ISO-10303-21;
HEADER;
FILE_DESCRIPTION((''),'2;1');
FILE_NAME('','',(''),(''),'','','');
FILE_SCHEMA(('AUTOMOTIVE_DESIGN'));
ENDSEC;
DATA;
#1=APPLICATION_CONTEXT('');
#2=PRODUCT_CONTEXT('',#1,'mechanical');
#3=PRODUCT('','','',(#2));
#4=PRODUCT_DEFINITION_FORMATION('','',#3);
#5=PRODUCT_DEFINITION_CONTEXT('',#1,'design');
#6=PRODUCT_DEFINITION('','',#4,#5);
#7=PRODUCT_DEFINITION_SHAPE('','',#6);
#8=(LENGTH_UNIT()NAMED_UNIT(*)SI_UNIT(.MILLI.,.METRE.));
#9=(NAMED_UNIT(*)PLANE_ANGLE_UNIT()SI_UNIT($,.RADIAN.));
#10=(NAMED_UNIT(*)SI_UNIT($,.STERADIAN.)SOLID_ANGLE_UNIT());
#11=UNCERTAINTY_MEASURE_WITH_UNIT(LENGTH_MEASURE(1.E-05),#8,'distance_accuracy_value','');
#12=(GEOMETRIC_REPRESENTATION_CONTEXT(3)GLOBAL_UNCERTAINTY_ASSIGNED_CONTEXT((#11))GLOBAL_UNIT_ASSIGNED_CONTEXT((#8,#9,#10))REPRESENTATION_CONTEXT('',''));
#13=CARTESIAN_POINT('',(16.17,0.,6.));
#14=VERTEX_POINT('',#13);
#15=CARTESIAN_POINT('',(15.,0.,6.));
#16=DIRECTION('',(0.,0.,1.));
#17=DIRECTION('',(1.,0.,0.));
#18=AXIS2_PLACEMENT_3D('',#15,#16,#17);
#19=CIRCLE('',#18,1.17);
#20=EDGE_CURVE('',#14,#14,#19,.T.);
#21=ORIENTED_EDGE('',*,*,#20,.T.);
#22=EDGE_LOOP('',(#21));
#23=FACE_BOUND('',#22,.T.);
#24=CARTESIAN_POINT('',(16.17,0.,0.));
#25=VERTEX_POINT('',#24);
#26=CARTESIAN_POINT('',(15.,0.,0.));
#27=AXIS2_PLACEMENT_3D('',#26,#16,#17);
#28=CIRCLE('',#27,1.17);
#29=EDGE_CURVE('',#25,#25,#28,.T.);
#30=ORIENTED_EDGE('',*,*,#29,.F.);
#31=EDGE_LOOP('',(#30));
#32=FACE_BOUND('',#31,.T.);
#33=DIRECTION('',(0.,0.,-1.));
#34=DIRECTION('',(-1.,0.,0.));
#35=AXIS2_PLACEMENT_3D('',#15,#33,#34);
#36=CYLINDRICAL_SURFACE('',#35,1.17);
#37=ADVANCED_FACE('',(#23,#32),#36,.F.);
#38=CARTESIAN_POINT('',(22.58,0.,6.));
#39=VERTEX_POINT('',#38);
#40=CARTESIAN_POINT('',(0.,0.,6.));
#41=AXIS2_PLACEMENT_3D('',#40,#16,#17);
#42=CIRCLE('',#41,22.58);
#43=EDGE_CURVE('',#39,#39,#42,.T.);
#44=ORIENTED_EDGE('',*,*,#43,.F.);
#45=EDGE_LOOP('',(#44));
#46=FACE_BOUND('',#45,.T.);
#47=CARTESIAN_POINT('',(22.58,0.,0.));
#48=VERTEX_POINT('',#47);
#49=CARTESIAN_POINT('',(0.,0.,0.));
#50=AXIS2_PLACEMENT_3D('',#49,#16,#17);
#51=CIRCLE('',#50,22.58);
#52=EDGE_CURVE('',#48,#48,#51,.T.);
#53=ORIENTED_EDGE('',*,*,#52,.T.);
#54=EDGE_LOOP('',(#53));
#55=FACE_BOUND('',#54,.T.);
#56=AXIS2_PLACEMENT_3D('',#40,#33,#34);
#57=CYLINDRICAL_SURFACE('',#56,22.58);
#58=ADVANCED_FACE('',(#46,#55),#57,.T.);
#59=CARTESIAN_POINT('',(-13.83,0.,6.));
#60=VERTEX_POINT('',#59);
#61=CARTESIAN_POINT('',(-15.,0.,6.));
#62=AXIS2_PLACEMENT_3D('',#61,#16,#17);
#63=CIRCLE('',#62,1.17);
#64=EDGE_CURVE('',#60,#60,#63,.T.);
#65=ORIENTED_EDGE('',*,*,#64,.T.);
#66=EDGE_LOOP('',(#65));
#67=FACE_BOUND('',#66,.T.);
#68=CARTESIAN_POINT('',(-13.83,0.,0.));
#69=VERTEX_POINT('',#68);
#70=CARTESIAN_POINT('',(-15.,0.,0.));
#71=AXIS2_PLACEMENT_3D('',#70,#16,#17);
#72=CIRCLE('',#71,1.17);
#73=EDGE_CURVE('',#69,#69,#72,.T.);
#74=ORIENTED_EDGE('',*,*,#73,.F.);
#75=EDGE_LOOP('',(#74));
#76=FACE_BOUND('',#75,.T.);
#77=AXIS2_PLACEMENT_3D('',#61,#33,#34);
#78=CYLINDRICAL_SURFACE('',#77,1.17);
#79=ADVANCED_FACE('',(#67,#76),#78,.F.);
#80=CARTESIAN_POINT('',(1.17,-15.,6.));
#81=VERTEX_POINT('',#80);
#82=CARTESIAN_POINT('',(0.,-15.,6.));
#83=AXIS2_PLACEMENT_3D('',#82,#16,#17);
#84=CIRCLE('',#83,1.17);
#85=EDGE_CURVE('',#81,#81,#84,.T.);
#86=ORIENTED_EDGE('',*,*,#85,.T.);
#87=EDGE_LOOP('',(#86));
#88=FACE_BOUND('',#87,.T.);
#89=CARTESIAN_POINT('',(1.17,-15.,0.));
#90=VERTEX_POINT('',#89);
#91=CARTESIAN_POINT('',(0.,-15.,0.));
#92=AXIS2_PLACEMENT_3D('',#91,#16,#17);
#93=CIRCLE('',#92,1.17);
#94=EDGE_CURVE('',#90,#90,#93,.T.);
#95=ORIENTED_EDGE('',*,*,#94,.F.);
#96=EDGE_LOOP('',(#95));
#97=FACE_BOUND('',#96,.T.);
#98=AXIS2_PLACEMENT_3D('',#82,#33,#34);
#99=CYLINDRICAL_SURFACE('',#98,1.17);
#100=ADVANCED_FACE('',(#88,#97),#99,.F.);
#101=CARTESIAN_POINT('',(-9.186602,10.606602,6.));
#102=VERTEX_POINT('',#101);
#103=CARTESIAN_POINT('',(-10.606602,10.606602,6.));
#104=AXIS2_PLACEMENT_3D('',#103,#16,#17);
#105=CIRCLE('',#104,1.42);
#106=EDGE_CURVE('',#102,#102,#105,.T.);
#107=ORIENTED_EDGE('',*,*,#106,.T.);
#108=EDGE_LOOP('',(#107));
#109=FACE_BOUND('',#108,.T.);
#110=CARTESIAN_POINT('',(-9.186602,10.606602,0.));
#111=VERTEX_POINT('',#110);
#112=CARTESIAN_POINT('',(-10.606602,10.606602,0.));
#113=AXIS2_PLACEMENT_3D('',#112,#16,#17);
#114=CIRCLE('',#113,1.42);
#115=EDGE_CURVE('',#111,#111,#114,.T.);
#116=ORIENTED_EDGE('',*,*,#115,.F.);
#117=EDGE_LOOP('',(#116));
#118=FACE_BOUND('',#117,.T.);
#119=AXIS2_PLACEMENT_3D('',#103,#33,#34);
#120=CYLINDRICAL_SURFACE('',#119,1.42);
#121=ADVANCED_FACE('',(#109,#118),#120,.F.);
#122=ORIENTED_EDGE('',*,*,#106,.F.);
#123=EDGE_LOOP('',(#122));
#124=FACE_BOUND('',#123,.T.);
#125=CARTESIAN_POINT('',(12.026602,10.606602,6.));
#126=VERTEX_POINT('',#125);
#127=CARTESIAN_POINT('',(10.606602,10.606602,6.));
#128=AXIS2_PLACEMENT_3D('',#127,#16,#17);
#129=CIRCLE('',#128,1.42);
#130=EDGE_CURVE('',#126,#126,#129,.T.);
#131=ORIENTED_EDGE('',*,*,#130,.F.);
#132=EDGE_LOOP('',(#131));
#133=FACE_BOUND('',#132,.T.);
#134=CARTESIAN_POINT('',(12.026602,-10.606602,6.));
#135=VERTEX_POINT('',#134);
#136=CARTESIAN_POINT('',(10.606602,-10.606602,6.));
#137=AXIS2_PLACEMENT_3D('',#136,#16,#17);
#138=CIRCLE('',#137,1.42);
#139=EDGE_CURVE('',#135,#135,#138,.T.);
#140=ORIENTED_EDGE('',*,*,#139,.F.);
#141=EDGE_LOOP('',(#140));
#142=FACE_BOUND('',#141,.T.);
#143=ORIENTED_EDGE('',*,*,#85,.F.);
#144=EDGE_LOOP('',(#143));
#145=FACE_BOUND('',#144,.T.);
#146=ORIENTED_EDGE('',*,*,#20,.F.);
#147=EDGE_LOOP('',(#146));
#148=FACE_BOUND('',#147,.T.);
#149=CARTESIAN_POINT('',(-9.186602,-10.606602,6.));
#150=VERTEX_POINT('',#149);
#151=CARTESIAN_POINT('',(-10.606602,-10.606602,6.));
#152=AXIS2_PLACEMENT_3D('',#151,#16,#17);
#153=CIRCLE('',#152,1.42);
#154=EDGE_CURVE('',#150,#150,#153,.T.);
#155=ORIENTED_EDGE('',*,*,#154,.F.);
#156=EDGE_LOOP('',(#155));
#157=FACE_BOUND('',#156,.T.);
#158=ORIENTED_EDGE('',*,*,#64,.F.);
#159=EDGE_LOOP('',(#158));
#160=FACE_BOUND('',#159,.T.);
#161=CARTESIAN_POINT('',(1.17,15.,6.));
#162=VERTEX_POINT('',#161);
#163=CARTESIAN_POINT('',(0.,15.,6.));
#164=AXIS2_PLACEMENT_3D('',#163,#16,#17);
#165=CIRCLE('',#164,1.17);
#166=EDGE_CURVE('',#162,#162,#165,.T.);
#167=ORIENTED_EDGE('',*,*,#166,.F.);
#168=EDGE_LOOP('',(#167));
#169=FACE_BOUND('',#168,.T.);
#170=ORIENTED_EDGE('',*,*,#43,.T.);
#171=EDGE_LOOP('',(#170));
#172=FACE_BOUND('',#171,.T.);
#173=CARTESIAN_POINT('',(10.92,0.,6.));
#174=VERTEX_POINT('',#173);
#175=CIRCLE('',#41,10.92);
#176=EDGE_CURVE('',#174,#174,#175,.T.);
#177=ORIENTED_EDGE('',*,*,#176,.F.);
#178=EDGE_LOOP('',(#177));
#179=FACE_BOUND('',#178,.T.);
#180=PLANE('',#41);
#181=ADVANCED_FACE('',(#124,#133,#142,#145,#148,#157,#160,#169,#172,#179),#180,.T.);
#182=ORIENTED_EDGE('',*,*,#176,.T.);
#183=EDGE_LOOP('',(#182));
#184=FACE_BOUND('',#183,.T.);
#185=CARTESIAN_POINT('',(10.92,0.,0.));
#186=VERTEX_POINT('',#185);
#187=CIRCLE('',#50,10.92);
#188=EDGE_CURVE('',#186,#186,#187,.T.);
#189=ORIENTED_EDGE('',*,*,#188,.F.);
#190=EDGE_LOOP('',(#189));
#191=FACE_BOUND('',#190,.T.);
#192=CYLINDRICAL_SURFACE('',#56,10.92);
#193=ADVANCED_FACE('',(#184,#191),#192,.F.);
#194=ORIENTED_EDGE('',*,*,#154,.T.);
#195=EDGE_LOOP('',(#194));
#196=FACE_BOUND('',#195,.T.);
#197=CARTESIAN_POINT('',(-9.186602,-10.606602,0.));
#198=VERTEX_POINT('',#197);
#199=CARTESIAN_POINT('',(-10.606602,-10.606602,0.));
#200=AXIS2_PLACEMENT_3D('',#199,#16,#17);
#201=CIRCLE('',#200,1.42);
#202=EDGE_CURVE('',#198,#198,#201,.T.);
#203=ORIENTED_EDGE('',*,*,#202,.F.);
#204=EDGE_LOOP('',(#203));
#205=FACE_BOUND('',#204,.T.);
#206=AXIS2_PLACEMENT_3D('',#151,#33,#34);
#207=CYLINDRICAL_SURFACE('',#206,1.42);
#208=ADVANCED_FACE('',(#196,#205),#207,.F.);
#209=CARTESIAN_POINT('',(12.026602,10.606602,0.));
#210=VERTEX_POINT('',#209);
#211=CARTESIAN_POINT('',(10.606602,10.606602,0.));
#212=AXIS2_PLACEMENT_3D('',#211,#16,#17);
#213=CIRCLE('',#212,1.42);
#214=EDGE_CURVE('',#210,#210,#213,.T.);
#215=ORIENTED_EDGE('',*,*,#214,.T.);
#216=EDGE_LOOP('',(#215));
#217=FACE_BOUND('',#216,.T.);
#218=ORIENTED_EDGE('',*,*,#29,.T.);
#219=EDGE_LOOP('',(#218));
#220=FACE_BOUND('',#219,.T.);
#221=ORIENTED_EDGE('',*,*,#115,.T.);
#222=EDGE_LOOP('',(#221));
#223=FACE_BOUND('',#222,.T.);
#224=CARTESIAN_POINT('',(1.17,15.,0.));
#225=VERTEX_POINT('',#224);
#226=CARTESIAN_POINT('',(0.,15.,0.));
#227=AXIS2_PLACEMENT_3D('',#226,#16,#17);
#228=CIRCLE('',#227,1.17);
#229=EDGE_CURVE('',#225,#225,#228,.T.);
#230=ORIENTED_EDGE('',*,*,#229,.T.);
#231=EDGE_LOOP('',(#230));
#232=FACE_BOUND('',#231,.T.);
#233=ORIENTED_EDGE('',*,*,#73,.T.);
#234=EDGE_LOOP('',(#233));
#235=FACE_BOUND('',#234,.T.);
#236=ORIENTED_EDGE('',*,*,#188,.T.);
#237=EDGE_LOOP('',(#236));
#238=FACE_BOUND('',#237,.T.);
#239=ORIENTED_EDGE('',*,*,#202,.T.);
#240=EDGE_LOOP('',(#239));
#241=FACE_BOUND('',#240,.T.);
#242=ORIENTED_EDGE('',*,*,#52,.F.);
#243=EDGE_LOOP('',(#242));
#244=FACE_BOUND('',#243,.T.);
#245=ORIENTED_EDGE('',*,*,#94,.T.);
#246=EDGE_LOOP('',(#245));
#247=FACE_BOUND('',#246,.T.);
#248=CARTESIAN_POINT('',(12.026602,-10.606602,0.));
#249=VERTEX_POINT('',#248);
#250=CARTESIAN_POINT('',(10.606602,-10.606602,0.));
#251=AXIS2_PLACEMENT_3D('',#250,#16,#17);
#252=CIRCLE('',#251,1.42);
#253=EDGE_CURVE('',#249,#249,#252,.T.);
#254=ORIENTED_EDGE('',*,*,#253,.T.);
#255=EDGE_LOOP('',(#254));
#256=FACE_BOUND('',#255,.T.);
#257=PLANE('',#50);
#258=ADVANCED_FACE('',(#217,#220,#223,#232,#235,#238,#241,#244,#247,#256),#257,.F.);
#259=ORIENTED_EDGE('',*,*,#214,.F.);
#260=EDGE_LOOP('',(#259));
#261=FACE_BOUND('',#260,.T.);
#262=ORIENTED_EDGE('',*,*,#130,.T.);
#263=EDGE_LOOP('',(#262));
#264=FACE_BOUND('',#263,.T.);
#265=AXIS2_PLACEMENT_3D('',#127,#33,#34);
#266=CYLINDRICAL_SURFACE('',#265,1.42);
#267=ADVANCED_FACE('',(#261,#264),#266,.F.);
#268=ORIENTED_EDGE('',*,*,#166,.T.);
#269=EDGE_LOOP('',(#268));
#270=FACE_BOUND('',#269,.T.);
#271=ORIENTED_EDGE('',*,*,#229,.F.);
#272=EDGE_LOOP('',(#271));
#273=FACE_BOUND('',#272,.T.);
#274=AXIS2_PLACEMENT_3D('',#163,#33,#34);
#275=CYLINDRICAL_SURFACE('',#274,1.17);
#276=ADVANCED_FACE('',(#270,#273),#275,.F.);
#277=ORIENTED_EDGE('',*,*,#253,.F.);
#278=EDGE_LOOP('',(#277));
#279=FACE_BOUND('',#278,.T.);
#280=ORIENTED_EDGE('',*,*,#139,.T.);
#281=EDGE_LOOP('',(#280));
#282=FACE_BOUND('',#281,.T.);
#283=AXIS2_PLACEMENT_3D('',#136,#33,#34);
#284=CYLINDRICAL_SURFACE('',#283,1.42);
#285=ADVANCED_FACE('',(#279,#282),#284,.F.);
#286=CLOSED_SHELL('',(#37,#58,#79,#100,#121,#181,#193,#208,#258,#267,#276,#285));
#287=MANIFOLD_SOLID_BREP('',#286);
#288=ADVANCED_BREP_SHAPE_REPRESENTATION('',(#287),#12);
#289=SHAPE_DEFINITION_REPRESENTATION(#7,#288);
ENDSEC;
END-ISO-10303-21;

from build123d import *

# Parameters (mm, degrees)
SKETCH1_R           = 22.5
SKETCH1_R_2         = 11
SKETCH1_R_3         = 1.25
SKETCH1_R_4         = 1.5
BOSS_EXTRUDE1_DEPTH = 6
MOVE_FACE1_BY       = 0.08
MOVE_FACE1_2_BY     = 0.08
MOVE_FACE1_3_BY     = 0.08
MOVE_FACE1_4_BY     = 0.08
MOVE_FACE1_5_BY     = 0.08
MOVE_FACE1_6_BY     = 0.08
MOVE_FACE1_7_BY     = 0.08
MOVE_FACE1_8_BY     = 0.08
MOVE_FACE1_9_BY     = 0.08
MOVE_FACE1_10_BY    = 0.08


with BuildPart() as part:
    # Sketch1 → Boss-Extrude1 (new body)
    with BuildSketch(Plane.XY):
        Circle(SKETCH1_R)
        Circle(SKETCH1_R_2, mode=Mode.SUBTRACT)
        with Locations((0, 15)):
            Circle(SKETCH1_R_3, mode=Mode.SUBTRACT)
        with Locations((10.606601718, 10.606601718)):
            Circle(SKETCH1_R_4, mode=Mode.SUBTRACT)
        with Locations((15, 0)):
            Circle(SKETCH1_R_3, mode=Mode.SUBTRACT)
        with Locations((10.606601718, -10.606601718)):
            Circle(SKETCH1_R_4, mode=Mode.SUBTRACT)
        with Locations((0, -15)):
            Circle(SKETCH1_R_3, mode=Mode.SUBTRACT)
        with Locations((-10.606601718, -10.606601718)):
            Circle(SKETCH1_R_4, mode=Mode.SUBTRACT)
        with Locations((-15, 0)):
            Circle(SKETCH1_R_3, mode=Mode.SUBTRACT)
        with Locations((-10.606601718, 10.606601718)):
            Circle(SKETCH1_R_4, mode=Mode.SUBTRACT)
    extrude(amount=BOSS_EXTRUDE1_DEPTH)

    # Move Face1: a curved face moved outward by 0.08
    add(Solid.thicken(part.faces().sort_by_distance((-11, 0, 3))[0], MOVE_FACE1_BY))

    # Move Face1 2: a curved face moved outward by 0.08
    add(Solid.thicken(part.faces().sort_by_distance((-22.5, 0, 3))[0], MOVE_FACE1_2_BY))

    # Move Face1 3: a curved face moved outward by 0.08
    add(Solid.thicken(part.faces().sort_by_distance((-1.25, 15, 3))[0], MOVE_FACE1_3_BY))

    # Move Face1 4: a curved face moved outward by 0.08
    add(Solid.thicken(part.faces().sort_by_distance((9.106601718, 10.606601718, 3))[0], MOVE_FACE1_4_BY))

    # Move Face1 5: a curved face moved outward by 0.08
    add(Solid.thicken(part.faces().sort_by_distance((13.75, 0, 3))[0], MOVE_FACE1_5_BY))

    # Move Face1 6: a curved face moved outward by 0.08
    add(Solid.thicken(part.faces().sort_by_distance((9.106601718, -10.606601718, 3))[0], MOVE_FACE1_6_BY))

    # Move Face1 7: a curved face moved outward by 0.08
    add(Solid.thicken(part.faces().sort_by_distance((-1.25, -15, 3))[0], MOVE_FACE1_7_BY))

    # Move Face1 8: a curved face moved outward by 0.08
    add(Solid.thicken(part.faces().sort_by_distance((-12.106601718, -10.606601718, 3))[0], MOVE_FACE1_8_BY))

    # Move Face1 9: a curved face moved outward by 0.08
    add(Solid.thicken(part.faces().sort_by_distance((-16.25, 0, 3))[0], MOVE_FACE1_9_BY))

    # Move Face1 10: a curved face moved outward by 0.08
    add(Solid.thicken(part.faces().sort_by_distance((-12.106601718, 10.606601718, 3))[0], MOVE_FACE1_10_BY))


solid = part.part
